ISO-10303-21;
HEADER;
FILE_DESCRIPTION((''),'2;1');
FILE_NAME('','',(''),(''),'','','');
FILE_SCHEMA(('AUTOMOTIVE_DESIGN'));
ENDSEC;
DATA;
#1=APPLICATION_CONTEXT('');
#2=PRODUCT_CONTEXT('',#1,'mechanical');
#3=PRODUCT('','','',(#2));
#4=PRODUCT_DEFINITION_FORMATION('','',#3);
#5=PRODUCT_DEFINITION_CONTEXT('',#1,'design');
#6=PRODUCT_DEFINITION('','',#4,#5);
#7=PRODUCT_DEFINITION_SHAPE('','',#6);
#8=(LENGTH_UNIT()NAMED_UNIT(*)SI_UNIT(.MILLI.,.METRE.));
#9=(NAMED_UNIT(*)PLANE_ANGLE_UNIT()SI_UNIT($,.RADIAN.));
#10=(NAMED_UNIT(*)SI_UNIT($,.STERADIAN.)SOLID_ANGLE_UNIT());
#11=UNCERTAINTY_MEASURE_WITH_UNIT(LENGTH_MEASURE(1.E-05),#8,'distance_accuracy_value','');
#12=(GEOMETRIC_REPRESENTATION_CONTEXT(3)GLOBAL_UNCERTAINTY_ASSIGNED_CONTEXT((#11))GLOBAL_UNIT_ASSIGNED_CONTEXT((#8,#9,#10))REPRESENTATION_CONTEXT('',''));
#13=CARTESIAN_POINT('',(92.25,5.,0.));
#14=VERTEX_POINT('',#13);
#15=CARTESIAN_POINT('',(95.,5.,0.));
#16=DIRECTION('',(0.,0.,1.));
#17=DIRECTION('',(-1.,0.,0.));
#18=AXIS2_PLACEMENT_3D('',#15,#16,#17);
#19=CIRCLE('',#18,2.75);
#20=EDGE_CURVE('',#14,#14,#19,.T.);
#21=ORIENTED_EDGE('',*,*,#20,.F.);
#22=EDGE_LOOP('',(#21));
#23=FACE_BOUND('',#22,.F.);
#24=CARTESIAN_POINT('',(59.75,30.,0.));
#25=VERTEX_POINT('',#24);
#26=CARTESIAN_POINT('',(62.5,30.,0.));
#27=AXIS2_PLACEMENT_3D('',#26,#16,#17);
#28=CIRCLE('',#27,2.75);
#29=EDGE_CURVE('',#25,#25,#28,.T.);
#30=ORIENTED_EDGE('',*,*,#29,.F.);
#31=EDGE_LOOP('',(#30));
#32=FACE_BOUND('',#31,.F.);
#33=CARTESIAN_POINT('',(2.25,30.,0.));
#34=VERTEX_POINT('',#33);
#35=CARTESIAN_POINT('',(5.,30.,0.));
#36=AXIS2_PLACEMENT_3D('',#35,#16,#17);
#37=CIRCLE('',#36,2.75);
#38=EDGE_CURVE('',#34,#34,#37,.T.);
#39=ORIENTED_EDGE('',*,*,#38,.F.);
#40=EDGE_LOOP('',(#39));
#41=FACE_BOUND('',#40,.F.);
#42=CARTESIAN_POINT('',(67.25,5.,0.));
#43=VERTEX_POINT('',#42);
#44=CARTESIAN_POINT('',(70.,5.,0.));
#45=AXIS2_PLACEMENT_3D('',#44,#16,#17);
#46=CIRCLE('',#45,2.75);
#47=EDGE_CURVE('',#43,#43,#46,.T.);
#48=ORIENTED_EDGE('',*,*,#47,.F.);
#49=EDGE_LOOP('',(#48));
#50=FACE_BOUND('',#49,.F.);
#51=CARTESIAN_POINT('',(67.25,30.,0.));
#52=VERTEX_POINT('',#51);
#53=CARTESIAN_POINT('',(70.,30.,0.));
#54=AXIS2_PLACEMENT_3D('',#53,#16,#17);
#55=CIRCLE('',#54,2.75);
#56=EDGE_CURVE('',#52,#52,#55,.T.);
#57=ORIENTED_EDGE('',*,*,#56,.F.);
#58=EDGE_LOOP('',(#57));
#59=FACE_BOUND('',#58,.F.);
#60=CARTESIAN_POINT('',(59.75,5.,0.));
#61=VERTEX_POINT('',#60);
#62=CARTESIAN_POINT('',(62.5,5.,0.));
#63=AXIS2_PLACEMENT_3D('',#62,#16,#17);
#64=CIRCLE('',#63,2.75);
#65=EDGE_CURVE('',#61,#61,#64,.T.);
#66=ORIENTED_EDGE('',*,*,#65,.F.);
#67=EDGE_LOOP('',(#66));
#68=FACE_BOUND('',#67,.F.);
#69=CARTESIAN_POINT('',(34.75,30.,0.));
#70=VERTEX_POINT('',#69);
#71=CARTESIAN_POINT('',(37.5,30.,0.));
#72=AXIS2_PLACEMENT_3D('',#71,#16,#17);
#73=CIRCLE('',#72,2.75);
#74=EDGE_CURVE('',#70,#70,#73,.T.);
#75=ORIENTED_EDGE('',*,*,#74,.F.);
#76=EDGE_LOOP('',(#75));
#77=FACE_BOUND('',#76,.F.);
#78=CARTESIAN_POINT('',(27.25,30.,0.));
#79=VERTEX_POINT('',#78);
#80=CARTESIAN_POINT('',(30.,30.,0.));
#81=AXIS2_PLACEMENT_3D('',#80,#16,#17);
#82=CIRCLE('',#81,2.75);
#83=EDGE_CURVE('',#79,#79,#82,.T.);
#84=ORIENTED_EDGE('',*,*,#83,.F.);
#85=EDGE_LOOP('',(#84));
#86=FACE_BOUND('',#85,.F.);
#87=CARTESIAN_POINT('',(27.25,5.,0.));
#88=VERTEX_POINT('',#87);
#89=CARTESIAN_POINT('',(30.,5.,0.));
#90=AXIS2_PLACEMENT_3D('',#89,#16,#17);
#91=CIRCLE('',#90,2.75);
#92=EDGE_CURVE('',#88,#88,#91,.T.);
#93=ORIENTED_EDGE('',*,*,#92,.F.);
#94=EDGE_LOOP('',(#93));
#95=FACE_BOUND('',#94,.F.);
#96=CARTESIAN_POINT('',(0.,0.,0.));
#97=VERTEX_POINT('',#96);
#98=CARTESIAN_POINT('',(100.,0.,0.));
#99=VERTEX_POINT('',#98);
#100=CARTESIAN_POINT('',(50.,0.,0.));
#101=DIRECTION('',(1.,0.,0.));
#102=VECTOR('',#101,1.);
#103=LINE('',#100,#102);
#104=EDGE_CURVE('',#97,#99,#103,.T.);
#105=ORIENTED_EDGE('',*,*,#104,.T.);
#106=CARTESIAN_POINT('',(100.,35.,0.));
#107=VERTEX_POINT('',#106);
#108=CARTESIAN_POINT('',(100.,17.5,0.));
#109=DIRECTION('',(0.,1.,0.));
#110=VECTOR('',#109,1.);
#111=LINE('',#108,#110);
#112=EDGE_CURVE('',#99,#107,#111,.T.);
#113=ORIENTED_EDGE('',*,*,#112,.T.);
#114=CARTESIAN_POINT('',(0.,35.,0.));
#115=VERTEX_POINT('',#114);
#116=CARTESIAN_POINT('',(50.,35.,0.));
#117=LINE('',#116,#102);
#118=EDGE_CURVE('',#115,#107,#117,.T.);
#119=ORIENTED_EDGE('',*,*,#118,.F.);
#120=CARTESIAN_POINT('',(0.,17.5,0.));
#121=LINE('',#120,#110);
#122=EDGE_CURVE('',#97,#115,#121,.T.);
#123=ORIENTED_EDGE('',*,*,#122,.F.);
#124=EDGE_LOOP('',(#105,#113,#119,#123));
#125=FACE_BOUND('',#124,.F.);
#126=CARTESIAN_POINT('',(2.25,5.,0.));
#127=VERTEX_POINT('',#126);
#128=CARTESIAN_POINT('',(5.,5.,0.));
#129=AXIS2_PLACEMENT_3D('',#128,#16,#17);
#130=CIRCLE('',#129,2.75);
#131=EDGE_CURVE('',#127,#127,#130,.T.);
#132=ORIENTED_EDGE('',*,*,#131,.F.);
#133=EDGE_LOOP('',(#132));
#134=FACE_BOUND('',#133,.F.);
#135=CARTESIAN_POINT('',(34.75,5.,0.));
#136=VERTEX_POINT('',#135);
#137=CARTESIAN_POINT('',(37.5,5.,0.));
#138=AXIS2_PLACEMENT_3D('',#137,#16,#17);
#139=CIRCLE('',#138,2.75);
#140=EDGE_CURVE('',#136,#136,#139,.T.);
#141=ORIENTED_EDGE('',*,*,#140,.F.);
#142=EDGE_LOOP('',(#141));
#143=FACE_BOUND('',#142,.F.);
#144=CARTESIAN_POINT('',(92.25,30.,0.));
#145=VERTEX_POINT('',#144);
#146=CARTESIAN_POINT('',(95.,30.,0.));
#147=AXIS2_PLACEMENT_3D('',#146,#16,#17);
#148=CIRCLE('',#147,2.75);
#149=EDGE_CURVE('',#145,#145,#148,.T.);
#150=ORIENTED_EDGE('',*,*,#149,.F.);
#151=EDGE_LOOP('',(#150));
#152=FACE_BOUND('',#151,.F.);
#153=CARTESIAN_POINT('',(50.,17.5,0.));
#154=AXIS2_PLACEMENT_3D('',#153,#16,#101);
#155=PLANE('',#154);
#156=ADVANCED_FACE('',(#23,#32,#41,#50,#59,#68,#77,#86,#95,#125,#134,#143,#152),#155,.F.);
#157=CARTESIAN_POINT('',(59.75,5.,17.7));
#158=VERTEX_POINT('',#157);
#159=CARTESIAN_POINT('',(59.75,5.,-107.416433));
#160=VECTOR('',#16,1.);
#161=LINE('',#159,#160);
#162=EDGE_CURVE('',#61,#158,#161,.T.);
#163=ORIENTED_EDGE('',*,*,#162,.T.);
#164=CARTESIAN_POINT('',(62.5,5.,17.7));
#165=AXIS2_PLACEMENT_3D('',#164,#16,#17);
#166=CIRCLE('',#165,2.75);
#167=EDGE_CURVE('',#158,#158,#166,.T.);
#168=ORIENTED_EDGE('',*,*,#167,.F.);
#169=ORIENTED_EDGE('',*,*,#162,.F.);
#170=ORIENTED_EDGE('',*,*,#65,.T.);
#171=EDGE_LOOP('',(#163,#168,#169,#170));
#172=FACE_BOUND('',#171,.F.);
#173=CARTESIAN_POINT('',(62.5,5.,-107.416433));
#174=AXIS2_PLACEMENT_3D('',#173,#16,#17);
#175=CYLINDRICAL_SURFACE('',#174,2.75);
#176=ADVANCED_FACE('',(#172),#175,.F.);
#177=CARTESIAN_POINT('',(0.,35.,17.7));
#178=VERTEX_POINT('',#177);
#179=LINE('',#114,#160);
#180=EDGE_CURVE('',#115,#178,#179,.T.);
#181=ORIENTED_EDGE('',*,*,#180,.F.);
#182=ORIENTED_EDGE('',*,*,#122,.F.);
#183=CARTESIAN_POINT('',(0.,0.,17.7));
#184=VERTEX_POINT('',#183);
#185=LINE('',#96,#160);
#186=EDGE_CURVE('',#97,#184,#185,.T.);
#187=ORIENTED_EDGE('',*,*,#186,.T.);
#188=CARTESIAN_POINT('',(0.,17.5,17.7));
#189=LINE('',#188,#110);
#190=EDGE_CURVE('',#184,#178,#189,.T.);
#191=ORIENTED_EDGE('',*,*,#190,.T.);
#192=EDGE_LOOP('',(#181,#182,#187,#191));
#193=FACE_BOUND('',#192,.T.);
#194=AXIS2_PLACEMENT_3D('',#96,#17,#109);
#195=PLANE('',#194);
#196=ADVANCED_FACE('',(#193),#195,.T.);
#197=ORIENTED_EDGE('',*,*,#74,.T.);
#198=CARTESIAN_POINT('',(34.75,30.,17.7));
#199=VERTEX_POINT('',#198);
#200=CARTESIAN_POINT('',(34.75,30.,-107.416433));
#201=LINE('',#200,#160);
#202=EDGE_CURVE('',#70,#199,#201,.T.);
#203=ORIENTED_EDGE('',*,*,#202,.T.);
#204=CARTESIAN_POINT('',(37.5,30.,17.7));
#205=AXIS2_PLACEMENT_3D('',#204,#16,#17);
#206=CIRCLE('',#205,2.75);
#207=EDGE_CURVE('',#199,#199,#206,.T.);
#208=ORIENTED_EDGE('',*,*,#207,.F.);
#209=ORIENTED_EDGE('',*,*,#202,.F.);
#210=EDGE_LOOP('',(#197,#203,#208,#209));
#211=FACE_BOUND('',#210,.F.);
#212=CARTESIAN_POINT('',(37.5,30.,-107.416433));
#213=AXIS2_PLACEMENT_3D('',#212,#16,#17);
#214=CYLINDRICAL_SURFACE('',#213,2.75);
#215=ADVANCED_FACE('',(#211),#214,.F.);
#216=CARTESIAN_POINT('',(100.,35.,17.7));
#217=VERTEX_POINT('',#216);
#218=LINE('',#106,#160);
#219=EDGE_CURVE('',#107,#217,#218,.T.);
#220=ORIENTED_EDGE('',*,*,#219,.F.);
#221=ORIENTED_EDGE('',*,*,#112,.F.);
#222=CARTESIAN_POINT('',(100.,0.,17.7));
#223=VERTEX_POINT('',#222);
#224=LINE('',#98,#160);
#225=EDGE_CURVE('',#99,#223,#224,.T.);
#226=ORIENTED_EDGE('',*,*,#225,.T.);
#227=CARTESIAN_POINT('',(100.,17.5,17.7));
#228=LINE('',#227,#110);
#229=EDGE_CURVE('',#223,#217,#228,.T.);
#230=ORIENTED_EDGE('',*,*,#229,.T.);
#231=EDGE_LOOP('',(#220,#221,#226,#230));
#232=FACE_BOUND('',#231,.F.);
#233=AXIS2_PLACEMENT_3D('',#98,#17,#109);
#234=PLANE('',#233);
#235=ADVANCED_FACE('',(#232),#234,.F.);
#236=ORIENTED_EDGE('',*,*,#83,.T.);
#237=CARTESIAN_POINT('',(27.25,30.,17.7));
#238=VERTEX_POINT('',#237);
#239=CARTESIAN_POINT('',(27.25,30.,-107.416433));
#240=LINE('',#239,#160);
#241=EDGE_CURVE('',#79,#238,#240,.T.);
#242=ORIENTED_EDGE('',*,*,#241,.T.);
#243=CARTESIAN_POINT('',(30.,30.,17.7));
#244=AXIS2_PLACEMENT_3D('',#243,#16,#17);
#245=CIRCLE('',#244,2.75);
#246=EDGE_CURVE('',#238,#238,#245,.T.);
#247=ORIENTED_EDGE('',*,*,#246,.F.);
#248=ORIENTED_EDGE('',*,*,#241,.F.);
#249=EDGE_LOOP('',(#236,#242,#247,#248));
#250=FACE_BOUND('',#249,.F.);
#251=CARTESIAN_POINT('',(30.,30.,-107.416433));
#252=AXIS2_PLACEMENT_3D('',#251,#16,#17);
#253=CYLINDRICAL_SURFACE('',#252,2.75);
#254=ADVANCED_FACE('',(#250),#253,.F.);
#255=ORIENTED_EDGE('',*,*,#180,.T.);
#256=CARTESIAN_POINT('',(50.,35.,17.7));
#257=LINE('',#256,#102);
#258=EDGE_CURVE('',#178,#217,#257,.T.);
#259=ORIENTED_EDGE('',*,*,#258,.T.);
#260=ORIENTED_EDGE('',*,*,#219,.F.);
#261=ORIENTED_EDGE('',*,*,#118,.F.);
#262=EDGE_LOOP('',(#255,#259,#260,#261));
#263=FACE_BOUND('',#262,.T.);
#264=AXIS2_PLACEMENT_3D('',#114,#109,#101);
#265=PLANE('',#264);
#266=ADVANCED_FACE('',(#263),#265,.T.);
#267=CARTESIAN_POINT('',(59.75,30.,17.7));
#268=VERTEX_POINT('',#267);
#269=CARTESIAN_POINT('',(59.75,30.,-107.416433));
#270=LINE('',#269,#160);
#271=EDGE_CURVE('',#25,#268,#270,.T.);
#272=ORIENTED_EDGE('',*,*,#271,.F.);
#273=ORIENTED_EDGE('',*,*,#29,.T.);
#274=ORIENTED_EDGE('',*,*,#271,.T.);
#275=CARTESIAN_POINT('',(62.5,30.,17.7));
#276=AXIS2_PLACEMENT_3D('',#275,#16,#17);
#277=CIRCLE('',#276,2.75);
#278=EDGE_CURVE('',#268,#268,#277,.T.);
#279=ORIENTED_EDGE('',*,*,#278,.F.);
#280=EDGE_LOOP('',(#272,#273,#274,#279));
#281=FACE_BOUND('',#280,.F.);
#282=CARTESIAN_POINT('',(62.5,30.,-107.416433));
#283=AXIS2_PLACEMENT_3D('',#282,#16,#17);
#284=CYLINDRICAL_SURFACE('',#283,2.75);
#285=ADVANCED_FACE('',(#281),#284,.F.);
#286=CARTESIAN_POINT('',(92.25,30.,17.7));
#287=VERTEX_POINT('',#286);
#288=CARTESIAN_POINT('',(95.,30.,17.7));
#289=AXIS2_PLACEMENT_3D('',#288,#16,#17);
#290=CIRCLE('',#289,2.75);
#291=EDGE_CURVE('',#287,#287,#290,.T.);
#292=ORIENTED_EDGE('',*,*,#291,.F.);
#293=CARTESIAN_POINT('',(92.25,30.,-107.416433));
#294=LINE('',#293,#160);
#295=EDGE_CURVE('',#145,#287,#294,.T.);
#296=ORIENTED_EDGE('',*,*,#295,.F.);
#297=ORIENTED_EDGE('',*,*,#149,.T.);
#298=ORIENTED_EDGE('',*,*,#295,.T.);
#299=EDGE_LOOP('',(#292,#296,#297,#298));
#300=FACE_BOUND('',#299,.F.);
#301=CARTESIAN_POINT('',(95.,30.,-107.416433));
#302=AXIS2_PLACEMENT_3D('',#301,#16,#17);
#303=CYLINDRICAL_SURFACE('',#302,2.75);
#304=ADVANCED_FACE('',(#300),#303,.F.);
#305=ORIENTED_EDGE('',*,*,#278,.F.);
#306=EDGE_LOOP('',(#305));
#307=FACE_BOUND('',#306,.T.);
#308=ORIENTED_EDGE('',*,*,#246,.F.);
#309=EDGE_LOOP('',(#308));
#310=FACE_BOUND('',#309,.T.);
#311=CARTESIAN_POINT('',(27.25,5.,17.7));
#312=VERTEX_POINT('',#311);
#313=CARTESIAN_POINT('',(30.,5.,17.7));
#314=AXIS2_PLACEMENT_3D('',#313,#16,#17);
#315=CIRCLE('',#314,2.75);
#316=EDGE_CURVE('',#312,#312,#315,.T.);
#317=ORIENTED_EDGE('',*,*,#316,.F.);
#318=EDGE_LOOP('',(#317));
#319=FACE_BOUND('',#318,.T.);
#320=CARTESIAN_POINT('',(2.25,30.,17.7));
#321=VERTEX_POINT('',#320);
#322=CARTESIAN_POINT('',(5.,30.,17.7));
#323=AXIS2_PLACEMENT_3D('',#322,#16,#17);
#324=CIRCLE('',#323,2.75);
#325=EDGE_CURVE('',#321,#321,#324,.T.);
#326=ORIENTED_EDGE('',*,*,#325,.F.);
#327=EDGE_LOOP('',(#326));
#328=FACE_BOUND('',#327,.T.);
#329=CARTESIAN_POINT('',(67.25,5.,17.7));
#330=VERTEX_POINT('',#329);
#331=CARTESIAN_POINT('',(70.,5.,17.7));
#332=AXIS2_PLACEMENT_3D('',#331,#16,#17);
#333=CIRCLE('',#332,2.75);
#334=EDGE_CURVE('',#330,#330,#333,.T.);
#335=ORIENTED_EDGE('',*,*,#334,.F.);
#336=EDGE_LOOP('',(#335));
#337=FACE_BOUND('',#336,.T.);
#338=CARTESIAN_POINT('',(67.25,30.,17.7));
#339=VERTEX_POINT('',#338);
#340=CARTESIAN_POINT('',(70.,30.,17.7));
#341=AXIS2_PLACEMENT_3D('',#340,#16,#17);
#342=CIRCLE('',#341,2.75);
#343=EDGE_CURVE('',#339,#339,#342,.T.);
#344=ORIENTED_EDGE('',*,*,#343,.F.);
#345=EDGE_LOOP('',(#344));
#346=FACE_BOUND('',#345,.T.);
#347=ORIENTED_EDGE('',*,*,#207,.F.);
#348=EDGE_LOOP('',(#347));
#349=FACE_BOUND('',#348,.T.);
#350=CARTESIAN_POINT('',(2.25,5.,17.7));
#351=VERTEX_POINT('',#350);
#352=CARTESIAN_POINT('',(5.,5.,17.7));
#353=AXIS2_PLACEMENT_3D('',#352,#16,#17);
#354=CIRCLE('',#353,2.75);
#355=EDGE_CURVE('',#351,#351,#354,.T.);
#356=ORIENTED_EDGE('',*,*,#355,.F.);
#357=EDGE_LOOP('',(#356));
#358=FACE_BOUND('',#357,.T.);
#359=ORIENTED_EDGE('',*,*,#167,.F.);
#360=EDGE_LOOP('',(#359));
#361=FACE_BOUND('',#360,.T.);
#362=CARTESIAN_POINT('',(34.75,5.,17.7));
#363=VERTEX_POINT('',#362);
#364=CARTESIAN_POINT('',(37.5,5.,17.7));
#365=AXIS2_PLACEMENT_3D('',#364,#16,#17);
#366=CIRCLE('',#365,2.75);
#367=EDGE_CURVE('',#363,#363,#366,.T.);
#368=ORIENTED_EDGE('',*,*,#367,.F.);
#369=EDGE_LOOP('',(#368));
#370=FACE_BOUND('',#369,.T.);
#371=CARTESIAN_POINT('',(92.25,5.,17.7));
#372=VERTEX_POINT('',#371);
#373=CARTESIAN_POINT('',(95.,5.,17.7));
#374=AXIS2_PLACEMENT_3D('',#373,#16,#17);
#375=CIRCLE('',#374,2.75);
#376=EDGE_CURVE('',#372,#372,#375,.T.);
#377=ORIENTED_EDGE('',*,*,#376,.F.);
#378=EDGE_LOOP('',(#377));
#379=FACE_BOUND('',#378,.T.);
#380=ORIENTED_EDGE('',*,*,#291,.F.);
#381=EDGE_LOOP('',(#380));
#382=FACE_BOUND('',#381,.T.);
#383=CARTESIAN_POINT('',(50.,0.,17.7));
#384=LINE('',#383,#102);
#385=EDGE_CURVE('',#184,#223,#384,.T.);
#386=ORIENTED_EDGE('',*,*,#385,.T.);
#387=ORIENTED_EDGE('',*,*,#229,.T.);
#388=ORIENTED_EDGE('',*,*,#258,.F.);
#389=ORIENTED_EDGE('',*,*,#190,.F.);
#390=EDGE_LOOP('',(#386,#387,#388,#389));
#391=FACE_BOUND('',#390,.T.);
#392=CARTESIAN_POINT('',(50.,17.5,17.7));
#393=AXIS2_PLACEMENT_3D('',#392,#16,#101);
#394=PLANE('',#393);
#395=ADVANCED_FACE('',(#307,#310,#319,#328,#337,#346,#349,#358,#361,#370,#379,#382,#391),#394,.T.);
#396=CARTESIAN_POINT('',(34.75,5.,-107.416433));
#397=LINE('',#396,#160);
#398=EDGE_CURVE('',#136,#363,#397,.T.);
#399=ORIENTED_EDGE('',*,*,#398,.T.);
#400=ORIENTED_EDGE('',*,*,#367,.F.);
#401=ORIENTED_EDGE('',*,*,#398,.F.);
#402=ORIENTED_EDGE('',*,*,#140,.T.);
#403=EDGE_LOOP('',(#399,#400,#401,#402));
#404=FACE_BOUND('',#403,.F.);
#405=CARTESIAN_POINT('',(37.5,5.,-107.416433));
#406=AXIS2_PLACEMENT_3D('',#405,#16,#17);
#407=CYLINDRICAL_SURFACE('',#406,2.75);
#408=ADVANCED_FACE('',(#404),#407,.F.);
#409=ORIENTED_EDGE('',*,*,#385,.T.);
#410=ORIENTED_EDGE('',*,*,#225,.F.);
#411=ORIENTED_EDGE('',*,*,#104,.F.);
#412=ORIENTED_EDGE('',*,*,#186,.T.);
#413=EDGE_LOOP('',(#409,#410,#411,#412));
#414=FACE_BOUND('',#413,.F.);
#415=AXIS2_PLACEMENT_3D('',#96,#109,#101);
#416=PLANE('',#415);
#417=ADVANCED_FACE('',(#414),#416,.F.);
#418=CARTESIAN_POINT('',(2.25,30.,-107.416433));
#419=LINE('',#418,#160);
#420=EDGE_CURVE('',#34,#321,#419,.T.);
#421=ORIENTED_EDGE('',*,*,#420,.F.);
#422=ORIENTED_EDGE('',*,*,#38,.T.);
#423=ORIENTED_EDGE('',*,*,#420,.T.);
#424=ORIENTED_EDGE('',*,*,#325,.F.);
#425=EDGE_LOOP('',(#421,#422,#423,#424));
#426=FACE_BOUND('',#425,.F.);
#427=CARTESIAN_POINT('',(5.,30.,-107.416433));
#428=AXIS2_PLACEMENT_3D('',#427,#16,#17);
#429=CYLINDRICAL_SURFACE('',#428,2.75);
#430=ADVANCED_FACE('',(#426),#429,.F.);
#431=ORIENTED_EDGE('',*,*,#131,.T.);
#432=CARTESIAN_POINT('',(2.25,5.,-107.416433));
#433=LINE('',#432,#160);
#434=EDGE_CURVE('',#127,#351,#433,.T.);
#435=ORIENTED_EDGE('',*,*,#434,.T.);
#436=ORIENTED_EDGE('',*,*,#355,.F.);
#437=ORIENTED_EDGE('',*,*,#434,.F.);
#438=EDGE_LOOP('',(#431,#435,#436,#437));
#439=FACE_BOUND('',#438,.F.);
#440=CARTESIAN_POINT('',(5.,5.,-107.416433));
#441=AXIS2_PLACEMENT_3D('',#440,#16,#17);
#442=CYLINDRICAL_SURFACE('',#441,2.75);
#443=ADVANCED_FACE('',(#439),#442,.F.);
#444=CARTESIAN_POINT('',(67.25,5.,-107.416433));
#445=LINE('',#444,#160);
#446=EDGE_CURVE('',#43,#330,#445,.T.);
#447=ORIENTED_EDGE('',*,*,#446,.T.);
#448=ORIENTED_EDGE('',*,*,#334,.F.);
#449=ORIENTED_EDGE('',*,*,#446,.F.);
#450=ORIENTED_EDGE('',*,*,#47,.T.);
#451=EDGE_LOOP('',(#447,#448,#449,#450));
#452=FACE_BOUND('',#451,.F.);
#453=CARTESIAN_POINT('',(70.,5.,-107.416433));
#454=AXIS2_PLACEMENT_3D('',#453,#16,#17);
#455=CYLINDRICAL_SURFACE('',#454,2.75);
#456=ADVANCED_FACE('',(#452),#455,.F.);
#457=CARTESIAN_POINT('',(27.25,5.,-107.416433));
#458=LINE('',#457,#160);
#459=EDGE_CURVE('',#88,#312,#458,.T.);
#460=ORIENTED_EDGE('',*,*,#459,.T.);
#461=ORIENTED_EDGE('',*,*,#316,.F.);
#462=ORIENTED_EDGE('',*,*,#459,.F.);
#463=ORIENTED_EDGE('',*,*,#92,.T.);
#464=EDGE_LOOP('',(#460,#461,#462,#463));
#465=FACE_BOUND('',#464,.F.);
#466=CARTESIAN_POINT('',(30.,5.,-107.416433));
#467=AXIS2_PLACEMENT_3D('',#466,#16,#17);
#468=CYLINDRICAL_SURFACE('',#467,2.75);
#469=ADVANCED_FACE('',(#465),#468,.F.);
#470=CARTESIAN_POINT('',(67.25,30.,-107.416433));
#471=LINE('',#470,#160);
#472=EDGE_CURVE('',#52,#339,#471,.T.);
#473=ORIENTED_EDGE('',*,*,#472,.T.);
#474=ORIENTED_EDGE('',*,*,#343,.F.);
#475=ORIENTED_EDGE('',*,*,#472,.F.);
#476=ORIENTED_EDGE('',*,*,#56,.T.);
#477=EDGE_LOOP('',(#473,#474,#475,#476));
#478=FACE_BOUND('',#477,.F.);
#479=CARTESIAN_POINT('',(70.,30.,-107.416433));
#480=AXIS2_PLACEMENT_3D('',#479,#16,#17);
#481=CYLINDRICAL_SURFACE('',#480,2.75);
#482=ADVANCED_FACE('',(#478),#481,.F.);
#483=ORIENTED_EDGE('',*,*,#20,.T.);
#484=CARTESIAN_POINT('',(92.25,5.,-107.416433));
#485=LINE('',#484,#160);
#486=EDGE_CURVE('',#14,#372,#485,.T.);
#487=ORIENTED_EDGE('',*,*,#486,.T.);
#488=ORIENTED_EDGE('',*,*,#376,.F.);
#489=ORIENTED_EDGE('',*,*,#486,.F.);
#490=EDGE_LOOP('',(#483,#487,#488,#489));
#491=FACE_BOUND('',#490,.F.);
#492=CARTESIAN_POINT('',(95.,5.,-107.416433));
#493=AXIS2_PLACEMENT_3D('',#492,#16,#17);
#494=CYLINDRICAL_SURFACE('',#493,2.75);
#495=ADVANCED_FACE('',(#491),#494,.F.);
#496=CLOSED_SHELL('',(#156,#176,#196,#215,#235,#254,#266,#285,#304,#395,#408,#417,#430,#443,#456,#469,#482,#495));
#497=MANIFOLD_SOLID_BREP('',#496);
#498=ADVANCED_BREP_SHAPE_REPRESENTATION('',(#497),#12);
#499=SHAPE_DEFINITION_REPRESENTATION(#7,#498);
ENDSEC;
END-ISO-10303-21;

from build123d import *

# Parameters (mm, degrees)
F0_W     = 100
F0_H     = 35
F1_DEPTH = 17.7
F2_D     = 5.5


with BuildPart() as f1:
    # F0 (on Top) → F1 (new body)
    with BuildSketch(Plane.XY):
        with Locations((50, 17.5)):
            Rectangle(F0_W, F0_H)
    extrude(amount=F1_DEPTH)

    # F2 (through all)
    with Locations(Plane(origin=(0, 0, 0), x_dir=(1, 0, 0), z_dir=(0, 0, -1))):
        with Locations((5, -30), (5, -5), (30, -5), (37.5, -5), (37.5, -30), (30, -30), (62.5, -30), (62.5, -5), (70, -5), (70, -30), (95, -30), (95, -5)):
            Hole(F2_D / 2)


solid = f1.part
